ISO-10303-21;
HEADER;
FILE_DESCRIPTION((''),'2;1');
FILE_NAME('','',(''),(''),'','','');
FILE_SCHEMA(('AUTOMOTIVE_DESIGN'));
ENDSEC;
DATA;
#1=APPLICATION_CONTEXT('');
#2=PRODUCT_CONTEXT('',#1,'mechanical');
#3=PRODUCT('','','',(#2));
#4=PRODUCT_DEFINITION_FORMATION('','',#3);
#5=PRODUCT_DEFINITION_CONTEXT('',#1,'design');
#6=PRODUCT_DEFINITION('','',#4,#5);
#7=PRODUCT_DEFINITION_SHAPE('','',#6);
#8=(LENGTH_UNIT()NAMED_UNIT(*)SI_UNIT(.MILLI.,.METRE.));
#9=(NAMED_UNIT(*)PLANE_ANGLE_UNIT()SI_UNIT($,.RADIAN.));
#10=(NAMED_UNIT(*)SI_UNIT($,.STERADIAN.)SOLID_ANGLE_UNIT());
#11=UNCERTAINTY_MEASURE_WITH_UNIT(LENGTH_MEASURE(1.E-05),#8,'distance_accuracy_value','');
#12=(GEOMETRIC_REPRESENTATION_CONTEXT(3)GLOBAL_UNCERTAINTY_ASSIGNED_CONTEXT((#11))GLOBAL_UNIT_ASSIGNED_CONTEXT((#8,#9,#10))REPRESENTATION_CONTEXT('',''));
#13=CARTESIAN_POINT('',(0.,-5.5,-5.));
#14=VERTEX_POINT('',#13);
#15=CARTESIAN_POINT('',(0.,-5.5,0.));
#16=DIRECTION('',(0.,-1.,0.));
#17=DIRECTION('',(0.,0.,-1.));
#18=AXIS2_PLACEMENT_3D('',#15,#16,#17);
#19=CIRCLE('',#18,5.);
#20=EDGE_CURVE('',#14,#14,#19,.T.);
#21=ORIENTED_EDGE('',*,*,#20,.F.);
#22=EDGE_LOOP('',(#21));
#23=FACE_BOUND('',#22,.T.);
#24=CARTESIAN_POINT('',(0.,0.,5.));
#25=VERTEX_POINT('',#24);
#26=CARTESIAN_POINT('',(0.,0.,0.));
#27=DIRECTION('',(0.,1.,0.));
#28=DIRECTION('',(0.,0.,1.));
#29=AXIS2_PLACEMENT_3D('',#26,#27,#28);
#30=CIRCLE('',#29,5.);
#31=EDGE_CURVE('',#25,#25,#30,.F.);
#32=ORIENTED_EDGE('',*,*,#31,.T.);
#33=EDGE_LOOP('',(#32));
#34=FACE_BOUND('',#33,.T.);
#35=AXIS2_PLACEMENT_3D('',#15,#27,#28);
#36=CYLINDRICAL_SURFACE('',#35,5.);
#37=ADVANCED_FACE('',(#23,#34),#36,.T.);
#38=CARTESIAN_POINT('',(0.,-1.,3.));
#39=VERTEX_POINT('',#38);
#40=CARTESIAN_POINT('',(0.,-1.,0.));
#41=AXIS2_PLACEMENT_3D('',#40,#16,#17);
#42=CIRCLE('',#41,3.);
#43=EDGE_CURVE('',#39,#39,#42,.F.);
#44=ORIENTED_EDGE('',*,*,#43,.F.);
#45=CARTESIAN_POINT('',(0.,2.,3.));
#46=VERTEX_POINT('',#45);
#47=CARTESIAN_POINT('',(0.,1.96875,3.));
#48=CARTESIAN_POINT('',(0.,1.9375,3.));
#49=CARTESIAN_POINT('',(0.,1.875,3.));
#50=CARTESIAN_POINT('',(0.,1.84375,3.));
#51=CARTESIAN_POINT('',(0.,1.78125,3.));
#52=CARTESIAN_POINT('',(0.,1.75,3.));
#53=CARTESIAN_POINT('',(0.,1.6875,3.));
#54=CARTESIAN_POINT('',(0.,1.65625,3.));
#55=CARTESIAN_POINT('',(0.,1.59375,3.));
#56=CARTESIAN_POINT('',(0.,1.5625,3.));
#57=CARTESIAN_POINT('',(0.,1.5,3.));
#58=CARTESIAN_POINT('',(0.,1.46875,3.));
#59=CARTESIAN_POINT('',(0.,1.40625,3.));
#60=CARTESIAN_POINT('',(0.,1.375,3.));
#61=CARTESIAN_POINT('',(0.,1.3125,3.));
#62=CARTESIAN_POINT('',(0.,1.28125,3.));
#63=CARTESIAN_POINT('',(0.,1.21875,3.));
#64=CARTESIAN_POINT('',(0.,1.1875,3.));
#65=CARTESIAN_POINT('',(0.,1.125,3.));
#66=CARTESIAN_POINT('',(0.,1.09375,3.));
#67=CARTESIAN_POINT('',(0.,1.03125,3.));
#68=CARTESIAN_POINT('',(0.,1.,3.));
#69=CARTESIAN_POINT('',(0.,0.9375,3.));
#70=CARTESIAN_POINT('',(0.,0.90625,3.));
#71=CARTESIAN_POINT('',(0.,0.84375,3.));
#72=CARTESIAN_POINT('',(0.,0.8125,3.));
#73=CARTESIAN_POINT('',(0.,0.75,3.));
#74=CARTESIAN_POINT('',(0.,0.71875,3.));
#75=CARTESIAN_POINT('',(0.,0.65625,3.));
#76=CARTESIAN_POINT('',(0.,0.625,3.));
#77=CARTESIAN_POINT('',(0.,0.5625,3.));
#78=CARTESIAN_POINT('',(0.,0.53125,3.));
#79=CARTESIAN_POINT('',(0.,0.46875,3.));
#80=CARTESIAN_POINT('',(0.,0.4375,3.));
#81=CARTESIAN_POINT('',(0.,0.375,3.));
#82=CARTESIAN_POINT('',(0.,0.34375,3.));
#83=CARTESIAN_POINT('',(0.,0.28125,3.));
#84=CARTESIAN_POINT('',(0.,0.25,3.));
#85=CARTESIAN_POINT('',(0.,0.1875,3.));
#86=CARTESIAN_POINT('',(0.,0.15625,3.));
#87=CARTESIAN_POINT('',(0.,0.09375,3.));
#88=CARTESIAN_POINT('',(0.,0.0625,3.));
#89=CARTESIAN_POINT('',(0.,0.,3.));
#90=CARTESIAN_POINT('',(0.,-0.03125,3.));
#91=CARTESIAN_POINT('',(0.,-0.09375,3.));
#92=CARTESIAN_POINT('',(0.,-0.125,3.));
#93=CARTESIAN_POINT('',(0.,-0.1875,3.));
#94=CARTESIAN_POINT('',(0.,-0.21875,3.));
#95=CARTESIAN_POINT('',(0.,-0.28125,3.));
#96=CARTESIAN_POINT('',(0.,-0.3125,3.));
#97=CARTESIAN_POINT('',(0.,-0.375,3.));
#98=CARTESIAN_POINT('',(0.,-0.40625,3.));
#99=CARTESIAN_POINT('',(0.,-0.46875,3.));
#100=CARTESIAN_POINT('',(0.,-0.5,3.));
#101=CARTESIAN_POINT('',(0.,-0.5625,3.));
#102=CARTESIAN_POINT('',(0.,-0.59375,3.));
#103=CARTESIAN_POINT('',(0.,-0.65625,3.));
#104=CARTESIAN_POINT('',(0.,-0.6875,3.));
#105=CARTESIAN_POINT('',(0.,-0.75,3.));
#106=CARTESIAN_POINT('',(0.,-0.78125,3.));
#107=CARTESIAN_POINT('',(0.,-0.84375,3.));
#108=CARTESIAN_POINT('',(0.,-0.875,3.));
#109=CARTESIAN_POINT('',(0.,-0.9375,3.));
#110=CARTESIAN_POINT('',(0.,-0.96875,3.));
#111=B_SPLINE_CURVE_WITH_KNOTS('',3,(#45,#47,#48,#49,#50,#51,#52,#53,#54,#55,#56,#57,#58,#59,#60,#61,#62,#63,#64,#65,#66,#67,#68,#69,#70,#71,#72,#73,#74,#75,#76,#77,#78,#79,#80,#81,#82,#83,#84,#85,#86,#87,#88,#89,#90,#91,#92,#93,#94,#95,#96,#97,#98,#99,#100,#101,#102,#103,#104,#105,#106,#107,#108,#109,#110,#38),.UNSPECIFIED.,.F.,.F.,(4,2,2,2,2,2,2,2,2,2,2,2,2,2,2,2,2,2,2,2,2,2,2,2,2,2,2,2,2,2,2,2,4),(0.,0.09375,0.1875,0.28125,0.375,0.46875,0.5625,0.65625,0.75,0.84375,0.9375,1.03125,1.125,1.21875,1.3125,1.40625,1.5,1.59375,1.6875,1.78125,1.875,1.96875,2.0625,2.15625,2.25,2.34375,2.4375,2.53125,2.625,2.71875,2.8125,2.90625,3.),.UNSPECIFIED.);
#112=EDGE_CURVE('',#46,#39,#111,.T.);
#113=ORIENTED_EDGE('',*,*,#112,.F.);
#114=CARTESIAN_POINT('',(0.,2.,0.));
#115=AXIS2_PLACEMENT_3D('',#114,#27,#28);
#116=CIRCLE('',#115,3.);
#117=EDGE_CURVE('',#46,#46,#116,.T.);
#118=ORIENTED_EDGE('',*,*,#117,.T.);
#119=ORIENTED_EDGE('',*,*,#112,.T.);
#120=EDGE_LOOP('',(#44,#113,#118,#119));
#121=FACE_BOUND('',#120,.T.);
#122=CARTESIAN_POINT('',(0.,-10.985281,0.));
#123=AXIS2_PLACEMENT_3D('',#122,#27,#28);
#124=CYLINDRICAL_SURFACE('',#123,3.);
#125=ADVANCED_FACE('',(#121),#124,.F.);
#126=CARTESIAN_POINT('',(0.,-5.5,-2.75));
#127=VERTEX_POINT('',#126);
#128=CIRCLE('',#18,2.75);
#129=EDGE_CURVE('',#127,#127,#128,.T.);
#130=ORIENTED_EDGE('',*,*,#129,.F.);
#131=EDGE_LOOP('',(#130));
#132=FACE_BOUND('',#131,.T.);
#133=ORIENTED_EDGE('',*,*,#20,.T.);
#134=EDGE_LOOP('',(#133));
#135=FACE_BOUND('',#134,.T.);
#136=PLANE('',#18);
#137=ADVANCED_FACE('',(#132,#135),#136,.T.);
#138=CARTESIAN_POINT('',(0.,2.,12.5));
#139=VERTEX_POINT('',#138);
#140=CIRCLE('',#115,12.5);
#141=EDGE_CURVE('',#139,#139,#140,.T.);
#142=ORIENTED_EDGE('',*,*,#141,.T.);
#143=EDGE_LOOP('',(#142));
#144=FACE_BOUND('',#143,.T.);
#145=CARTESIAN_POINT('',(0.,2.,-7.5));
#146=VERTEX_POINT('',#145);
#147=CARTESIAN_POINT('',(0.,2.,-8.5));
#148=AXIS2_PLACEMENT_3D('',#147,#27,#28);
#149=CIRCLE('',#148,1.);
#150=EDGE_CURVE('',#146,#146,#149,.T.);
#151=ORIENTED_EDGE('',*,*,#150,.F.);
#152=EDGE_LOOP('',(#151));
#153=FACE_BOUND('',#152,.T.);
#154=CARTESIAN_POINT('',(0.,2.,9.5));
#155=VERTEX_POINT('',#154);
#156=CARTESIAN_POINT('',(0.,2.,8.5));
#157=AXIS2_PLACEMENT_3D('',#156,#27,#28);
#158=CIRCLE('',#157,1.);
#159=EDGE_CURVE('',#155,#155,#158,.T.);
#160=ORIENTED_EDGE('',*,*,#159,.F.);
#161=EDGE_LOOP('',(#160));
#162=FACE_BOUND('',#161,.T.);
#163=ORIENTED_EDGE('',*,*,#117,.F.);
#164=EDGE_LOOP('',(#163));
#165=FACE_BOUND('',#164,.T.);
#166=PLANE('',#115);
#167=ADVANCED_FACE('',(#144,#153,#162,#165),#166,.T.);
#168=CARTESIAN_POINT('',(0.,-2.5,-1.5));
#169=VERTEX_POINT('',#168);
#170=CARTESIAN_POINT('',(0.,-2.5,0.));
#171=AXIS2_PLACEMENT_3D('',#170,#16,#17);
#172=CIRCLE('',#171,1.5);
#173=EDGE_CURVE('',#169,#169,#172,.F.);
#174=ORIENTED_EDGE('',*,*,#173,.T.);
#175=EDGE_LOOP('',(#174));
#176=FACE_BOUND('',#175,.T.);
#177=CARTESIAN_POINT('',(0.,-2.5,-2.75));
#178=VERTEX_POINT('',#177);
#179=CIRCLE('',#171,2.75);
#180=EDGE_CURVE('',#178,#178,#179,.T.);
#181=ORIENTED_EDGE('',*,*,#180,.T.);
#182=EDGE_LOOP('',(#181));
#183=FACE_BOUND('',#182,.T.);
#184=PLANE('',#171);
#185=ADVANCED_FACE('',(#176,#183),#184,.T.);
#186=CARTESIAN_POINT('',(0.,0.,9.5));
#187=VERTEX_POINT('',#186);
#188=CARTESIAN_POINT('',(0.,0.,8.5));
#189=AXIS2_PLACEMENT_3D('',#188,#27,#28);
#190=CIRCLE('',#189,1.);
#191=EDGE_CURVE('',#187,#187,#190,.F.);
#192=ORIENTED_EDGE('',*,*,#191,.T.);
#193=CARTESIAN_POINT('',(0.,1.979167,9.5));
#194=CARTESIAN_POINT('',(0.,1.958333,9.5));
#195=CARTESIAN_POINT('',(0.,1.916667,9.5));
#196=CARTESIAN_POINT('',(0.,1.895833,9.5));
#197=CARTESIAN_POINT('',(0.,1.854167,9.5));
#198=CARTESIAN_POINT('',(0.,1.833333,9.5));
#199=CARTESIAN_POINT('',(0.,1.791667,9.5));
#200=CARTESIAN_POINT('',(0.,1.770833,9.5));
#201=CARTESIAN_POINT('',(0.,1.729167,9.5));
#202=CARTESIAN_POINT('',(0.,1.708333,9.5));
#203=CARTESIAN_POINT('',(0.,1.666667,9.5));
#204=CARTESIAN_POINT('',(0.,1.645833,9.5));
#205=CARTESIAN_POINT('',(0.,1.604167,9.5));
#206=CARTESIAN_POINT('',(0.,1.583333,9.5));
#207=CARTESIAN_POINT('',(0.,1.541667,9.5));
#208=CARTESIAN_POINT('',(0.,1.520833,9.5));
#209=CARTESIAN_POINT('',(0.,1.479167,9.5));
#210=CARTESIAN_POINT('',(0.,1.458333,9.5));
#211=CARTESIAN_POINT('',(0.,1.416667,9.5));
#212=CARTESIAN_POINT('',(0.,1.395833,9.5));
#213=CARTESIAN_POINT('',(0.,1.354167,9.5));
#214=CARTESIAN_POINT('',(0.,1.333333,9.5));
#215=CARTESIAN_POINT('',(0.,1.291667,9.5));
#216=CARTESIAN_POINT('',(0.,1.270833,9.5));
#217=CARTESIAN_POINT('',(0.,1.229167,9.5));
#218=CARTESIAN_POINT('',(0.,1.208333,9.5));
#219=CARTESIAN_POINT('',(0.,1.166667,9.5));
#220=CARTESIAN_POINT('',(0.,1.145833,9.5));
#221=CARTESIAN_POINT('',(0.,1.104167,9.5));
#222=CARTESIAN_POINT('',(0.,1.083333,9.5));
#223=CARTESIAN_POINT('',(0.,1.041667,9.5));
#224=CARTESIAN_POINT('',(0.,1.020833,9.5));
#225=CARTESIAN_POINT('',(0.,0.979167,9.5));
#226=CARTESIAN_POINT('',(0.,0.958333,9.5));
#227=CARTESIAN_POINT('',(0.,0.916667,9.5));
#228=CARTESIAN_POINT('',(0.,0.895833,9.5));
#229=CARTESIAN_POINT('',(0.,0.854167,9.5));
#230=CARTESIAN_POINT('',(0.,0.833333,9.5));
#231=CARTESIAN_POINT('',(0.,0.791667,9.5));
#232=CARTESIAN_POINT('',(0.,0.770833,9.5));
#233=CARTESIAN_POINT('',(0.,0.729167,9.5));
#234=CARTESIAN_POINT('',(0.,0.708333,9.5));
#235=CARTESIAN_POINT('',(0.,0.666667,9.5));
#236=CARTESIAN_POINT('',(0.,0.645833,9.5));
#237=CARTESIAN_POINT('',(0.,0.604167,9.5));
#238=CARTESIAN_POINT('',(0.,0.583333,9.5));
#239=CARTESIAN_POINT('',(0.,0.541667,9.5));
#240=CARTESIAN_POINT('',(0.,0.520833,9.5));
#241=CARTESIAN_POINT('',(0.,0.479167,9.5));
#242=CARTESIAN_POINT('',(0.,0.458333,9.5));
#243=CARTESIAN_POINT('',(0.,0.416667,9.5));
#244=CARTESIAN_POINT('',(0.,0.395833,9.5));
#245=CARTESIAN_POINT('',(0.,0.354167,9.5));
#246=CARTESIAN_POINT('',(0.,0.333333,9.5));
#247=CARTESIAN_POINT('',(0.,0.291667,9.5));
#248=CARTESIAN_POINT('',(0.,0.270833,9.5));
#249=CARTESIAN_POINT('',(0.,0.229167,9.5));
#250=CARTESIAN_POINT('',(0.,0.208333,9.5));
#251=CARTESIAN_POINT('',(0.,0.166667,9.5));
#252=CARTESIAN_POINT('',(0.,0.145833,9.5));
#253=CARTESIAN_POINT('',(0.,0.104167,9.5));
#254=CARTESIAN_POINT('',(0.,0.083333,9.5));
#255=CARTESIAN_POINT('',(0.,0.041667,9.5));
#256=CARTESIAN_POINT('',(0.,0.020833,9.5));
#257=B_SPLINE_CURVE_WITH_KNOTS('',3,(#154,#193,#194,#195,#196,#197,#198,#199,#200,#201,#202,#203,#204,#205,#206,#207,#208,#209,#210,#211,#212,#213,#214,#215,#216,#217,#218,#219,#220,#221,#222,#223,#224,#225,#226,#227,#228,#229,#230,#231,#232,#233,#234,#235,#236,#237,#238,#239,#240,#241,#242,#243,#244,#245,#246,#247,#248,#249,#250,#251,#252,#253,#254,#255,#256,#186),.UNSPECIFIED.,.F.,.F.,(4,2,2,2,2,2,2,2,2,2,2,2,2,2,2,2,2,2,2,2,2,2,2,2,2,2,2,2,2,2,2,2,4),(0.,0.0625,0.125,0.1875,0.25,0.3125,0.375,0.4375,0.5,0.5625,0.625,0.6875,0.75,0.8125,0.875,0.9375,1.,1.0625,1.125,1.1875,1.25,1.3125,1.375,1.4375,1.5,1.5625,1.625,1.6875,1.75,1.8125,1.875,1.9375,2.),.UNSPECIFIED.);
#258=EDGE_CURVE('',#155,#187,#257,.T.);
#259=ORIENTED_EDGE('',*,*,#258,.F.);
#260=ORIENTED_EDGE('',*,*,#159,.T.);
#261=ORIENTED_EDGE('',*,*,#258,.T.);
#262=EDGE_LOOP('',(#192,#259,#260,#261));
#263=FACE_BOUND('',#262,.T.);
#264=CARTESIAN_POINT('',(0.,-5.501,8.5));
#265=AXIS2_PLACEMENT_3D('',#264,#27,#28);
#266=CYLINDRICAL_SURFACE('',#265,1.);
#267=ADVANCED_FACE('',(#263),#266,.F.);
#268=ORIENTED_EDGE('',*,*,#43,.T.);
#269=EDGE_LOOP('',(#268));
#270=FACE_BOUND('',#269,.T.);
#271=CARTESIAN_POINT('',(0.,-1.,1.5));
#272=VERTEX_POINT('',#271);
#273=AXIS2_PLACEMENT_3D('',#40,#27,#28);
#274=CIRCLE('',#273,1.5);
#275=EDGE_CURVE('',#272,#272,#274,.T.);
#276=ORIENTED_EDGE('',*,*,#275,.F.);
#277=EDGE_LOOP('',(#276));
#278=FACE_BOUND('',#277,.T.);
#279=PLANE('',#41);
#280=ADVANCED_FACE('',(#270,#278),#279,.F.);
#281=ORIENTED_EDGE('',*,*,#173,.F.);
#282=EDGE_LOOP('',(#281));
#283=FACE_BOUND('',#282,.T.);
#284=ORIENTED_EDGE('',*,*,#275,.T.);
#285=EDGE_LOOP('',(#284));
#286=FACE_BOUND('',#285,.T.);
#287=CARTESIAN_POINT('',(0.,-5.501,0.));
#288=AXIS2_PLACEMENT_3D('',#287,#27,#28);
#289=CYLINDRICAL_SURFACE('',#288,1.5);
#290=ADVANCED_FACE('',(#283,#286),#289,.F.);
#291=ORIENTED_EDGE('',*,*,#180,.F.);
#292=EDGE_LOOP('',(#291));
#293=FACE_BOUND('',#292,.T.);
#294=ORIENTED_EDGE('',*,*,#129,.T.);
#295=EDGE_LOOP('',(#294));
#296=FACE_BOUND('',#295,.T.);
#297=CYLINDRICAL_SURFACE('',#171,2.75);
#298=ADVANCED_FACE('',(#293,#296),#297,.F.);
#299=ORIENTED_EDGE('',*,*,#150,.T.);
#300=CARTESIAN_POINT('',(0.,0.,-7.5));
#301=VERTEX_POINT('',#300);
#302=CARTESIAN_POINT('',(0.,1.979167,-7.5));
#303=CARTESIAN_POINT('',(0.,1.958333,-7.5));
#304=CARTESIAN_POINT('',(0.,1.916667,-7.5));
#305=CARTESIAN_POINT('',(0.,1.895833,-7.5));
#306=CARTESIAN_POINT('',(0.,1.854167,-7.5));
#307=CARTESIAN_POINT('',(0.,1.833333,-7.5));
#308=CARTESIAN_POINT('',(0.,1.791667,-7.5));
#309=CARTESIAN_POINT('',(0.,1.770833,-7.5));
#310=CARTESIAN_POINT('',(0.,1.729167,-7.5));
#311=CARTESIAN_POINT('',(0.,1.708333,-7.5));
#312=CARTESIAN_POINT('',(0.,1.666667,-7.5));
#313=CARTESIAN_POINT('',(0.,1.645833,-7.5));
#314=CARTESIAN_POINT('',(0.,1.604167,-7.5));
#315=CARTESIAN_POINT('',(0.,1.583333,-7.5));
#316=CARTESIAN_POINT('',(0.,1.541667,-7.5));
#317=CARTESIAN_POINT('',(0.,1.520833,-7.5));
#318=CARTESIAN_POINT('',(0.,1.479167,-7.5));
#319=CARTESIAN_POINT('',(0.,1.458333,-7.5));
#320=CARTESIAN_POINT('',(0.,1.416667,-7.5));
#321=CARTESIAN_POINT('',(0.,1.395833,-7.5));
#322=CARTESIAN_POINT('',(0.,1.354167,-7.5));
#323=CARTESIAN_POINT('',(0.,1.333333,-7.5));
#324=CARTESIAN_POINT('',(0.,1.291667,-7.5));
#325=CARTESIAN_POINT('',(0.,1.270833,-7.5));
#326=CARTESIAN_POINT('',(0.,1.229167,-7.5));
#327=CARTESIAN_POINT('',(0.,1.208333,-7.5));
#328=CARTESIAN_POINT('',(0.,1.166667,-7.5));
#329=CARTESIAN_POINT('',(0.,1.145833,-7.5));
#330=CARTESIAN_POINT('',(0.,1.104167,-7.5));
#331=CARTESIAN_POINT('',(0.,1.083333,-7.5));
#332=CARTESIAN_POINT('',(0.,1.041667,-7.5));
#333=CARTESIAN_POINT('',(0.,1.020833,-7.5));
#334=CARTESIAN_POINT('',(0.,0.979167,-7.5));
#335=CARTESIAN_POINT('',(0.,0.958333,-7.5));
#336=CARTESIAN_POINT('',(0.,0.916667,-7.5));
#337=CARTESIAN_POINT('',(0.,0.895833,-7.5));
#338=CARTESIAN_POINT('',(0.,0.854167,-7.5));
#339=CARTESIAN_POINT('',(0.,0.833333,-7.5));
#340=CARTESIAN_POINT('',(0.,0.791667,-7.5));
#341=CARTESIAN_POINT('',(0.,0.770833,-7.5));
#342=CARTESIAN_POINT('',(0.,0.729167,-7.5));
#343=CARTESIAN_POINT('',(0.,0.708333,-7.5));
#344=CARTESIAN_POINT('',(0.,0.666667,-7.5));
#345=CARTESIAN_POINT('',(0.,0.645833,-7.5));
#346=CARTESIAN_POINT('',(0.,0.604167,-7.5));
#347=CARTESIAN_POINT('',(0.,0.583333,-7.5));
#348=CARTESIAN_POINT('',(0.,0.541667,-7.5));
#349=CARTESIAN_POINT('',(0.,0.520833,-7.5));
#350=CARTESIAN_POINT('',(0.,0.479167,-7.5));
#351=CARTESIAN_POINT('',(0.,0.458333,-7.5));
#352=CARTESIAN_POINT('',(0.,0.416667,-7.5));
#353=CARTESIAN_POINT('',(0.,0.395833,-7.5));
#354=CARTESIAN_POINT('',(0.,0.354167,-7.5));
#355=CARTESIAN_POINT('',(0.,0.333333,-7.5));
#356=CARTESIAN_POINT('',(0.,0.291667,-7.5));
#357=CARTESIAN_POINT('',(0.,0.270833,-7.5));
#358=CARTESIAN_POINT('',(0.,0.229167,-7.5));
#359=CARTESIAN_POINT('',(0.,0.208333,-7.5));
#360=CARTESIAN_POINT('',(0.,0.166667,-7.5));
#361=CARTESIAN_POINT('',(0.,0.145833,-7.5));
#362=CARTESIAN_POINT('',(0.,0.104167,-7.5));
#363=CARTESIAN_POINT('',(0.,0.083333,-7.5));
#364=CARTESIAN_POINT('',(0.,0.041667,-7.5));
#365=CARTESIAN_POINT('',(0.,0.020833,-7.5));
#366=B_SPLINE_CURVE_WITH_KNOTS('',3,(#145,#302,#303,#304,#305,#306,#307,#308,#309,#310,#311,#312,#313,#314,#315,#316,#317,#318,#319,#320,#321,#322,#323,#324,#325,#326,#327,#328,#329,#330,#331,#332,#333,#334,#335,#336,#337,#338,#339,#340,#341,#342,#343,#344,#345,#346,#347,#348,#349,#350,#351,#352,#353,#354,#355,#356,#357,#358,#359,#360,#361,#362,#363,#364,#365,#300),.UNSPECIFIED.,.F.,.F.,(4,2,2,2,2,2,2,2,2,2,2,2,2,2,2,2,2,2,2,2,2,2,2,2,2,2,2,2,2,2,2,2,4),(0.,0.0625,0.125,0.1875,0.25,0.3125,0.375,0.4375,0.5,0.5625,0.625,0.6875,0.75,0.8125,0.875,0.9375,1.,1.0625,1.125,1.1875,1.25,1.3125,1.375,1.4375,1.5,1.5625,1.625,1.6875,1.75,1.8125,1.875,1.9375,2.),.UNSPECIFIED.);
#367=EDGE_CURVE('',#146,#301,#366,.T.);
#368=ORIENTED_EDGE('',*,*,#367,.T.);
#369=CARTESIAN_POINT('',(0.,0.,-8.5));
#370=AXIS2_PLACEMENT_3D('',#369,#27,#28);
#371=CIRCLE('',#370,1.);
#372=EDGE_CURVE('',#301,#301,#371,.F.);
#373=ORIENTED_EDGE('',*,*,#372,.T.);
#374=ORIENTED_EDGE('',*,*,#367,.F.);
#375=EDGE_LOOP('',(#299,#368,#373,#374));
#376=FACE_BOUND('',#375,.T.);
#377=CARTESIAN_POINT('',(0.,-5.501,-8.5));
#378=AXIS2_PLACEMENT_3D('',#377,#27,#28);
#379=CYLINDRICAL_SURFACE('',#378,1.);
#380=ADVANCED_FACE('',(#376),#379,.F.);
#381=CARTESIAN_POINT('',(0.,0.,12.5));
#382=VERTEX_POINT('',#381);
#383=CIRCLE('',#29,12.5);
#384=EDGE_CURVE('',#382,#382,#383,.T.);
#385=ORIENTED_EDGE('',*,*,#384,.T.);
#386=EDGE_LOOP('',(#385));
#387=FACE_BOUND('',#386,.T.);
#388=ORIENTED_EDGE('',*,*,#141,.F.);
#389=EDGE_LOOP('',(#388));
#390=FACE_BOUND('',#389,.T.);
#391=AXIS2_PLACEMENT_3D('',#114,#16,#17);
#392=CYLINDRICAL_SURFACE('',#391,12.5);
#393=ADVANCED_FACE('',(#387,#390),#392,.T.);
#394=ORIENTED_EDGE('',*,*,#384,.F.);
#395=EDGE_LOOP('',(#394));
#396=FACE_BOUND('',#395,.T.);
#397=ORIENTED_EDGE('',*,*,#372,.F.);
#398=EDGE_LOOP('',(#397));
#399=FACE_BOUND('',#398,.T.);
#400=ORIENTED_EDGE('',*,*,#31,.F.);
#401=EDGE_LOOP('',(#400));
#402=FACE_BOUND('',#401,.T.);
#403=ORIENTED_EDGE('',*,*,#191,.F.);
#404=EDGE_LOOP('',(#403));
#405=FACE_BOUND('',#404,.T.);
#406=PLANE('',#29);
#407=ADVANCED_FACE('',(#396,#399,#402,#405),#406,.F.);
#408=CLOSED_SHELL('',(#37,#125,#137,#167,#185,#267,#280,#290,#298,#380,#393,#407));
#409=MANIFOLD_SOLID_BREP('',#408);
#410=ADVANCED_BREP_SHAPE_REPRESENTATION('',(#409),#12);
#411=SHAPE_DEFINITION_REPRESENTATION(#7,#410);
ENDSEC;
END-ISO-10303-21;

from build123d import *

# Parameters (mm, degrees)
SKETCH1_R           = 12.5
BOSS_EXTRUDE1_DEPTH = 2
SKETCH2_R           = 5
BOSS_EXTRUDE2_DEPTH = 5.5
SKETCH3_R           = 2.75
CUT_EXTRUDE1_DEPTH  = 3
CUT_EXTRUDE2_REACH  = 21.203
SKETCH4_R           = 1
SKETCH5_R           = 3
CUT_EXTRUDE3_DEPTH  = 3
CUT_EXTRUDE4_REACH  = 20.241
SKETCH6_R           = 1.5


with BuildPart() as part:
    # Sketch1 → Boss-Extrude1 (new body)
    with BuildSketch(Plane(origin=(0, 0, 0), x_dir=(1, 0, 0), z_dir=(0, 1, 0))):
        with Locations(Location((0, 0, 0), (0, 0, 270))):
            Circle(SKETCH1_R)
    extrude(amount=BOSS_EXTRUDE1_DEPTH)

    # Sketch2 → Boss-Extrude2 (add)
    with BuildSketch(Plane.XZ):
        with Locations(Location((0, 0, 0), (0, 0, 90))):
            Circle(SKETCH2_R)
    extrude(amount=BOSS_EXTRUDE2_DEPTH)

    # Sketch3 → Cut-Extrude1 (cut)
    with BuildSketch(Plane.XZ.offset(5.5)):
        with Locations(Location((0, 0, 0), (0, 0, 270))):
            Circle(SKETCH3_R)
    extrude(amount=-CUT_EXTRUDE1_DEPTH, mode=Mode.SUBTRACT)

    # Sketch4 → Cut-Extrude2 (cut, up to next)
    with BuildSketch(Plane(origin=(0, 2, 0), x_dir=(1, 0, 0), z_dir=(0, 1, 0)), mode=Mode.PRIVATE) as cut_extrude2_sk1:
        with Locations(Location((0, 8.5, 0), (0, 0, 270))):
            Circle(SKETCH4_R)
    cut_extrude2_tool1 = extrude(cut_extrude2_sk1.sketch, amount=-CUT_EXTRUDE2_REACH, mode=Mode.PRIVATE) & part.part
    # Sketch4 → Cut-Extrude2 (cut, up to next)
    with BuildSketch(Plane(origin=(0, 2, 0), x_dir=(1, 0, 0), z_dir=(0, 1, 0)), mode=Mode.PRIVATE) as cut_extrude2_sk2:
        with Locations(Location((0, -8.5, 0), (0, 0, 270))):
            Circle(SKETCH4_R)
    cut_extrude2_tool2 = extrude(cut_extrude2_sk2.sketch, amount=-CUT_EXTRUDE2_REACH, mode=Mode.PRIVATE) & part.part
    add(cut_extrude2_tool1.solids().sort_by_distance((0, 2, -8.5))[0], mode=Mode.SUBTRACT)
    add(cut_extrude2_tool2.solids().sort_by_distance((0, 2, 8.5))[0], mode=Mode.SUBTRACT)

    # Sketch5 → Cut-Extrude3 (cut)
    with BuildSketch(Plane(origin=(0, 2, 0), x_dir=(1, 0, 0), z_dir=(0, 1, 0))):
        with Locations(Location((0, 0, 0), (0, 0, 270))):
            Circle(SKETCH5_R)
    extrude(amount=-CUT_EXTRUDE3_DEPTH, mode=Mode.SUBTRACT)

    # Sketch6 → Cut-Extrude4 (cut, up to next)
    with BuildSketch(Plane(origin=(0, -1, 0), x_dir=(1, 0, 0), z_dir=(0, 1, 0)), mode=Mode.PRIVATE) as cut_extrude4_sk1:
        with Locations(Location((0, 0, 0), (0, 0, 270))):
            Circle(SKETCH6_R)
    cut_extrude4_tool1 = extrude(cut_extrude4_sk1.sketch, amount=-CUT_EXTRUDE4_REACH, mode=Mode.PRIVATE) & part.part
    add(cut_extrude4_tool1.solids().sort_by_distance((0, -1, 0))[0], mode=Mode.SUBTRACT)


solid = part.part
